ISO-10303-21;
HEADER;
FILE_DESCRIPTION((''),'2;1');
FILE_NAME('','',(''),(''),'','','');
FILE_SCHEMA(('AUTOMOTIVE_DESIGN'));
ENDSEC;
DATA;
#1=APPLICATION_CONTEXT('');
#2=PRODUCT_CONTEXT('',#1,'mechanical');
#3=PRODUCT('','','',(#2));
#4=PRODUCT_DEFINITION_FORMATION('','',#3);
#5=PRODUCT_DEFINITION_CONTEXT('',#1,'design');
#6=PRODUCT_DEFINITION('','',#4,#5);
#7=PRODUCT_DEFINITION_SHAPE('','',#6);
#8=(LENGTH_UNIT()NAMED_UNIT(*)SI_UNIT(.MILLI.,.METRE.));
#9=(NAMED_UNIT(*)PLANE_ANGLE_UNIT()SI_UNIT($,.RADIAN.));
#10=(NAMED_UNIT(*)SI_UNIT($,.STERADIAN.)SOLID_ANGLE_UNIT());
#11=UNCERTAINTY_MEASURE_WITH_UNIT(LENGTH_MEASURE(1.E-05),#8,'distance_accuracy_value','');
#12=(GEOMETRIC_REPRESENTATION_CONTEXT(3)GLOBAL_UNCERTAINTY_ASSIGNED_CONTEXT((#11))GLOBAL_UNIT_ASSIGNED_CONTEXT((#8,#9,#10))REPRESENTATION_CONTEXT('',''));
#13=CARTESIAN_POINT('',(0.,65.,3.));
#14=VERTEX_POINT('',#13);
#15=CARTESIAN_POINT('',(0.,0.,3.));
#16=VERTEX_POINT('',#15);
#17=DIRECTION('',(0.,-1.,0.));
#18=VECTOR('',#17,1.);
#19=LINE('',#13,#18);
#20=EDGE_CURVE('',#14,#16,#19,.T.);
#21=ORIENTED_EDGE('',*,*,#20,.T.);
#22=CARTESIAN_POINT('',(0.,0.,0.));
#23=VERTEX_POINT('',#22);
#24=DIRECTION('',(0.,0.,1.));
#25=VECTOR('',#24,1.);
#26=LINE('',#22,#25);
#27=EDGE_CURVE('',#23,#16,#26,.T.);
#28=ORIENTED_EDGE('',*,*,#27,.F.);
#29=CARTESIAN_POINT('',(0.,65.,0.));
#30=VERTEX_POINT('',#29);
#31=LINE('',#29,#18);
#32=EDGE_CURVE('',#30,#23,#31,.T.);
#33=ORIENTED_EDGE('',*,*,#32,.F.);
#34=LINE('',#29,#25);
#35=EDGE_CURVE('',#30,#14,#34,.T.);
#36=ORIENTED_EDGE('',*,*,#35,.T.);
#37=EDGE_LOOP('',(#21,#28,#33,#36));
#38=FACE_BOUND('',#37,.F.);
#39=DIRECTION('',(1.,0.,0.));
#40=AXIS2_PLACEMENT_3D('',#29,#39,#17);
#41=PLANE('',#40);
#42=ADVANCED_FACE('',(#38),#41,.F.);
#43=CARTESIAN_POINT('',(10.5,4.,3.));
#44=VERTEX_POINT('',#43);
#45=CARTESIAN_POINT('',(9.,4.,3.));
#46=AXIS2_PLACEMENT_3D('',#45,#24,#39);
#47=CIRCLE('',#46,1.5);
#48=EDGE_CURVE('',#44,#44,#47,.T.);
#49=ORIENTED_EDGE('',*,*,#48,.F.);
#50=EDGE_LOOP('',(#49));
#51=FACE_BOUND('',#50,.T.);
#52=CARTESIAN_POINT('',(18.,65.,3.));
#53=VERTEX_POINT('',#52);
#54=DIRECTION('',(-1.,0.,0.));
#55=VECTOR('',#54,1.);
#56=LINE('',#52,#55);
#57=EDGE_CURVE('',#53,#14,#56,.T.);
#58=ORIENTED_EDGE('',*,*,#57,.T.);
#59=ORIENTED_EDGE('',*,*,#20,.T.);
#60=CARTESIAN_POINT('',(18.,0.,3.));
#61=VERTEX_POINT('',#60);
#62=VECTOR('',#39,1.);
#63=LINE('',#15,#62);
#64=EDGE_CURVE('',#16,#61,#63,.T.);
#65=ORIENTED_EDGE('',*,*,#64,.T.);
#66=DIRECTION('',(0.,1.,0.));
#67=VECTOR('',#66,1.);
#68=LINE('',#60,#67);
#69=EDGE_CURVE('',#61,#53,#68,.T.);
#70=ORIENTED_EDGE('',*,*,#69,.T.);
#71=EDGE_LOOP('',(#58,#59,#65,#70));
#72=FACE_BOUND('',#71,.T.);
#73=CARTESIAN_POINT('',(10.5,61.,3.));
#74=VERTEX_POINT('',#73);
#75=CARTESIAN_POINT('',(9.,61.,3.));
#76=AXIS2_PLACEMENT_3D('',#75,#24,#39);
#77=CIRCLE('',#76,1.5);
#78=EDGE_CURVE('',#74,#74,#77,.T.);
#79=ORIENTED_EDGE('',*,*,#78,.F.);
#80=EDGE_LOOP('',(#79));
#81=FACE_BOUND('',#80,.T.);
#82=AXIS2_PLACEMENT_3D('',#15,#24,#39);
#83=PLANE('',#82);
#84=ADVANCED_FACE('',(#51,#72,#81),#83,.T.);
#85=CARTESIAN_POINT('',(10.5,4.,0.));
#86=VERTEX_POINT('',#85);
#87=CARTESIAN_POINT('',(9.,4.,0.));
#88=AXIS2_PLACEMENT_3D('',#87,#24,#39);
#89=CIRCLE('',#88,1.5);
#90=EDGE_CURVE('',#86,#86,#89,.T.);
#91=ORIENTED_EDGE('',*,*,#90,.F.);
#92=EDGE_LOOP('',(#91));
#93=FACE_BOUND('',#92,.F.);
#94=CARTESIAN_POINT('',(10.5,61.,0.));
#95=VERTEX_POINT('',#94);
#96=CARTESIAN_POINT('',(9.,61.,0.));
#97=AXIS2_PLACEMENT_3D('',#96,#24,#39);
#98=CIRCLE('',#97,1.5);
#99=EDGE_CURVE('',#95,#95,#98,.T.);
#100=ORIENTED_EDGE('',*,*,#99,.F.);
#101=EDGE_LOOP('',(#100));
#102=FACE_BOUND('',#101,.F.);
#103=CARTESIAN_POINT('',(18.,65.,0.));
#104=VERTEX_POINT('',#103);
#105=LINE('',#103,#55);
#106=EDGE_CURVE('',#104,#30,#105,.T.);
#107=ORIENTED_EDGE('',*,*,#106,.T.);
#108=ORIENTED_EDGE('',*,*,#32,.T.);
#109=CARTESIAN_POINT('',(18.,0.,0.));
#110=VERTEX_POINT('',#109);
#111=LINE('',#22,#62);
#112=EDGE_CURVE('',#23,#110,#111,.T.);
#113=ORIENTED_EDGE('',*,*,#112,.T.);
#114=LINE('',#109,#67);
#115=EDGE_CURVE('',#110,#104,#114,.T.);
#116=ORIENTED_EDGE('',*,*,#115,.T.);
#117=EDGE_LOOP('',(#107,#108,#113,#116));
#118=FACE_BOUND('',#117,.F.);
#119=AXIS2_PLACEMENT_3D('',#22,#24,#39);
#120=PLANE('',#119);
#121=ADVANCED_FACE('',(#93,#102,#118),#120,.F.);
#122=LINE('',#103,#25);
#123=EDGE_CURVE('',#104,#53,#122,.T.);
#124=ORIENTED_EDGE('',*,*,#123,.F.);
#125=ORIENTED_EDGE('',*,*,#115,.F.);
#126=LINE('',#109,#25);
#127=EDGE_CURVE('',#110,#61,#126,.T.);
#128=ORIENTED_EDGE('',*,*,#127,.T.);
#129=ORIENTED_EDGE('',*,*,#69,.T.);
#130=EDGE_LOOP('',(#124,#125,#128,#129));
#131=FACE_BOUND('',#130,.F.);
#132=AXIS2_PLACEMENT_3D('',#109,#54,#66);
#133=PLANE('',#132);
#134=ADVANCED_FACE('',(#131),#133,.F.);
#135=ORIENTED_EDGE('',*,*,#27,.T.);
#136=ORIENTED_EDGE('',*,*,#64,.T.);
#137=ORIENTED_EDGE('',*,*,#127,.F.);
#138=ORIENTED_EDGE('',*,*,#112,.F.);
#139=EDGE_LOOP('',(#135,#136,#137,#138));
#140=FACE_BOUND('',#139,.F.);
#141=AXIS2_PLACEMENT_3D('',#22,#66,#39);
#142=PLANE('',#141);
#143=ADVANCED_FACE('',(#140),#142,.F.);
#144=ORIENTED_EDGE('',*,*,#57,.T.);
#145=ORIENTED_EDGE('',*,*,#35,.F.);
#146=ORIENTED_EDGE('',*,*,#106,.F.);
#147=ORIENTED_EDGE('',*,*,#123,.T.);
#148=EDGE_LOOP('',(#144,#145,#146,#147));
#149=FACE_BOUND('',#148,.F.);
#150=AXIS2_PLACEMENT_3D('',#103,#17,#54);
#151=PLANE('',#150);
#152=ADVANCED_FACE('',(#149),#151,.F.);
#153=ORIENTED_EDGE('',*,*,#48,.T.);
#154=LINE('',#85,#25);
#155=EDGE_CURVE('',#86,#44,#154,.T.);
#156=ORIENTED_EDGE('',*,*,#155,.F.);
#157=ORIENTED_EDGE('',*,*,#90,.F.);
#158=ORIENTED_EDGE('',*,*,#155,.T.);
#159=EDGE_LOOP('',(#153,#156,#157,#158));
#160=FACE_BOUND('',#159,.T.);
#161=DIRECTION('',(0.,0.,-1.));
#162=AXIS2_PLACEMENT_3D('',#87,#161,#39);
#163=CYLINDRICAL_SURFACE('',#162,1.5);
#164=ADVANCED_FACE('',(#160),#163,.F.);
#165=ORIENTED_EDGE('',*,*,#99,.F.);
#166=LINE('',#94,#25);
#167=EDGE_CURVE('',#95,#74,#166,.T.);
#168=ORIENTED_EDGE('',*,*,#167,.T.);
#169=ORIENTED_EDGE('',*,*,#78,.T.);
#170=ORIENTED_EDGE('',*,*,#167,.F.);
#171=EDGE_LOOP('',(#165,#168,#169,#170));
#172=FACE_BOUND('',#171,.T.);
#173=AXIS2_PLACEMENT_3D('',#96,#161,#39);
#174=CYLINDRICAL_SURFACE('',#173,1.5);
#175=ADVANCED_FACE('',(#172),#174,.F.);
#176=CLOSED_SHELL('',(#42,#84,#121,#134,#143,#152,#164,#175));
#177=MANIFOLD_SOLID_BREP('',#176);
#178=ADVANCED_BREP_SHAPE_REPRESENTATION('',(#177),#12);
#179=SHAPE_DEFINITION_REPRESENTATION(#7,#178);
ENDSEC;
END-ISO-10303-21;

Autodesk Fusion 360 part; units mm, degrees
sketch "Sketch1" plane through (0, 0, 0) normal (0, 0, 1) x (1, 0, 0)
  line L0 (0, 0) -> (18, 0)
  line L1 (18, 0) -> (18, 65)
  line L2 (18, 65) -> (0, 65)
  line L3 (0, 65) -> (0, 0)
  circle A0 centre (9, 4) radius 1.5
  circle A1 centre (9, 61) radius 1.5
  dimension "d1" = 18
  dimension "d2" = 65
  dimension "d4" = 3
  dimension "d5" = 4
  dimension "d6" = 9
  dimension "d7" = 3
  dimension "d8" = 4
  dimension "d9" = 9
extrude "Extrude1" add sketch "Sketch1" along normal blind 3
equation "ScrewHole = 3 mm"
equation "d4 = ScrewHole"
equation "d7 = ScrewHole"
